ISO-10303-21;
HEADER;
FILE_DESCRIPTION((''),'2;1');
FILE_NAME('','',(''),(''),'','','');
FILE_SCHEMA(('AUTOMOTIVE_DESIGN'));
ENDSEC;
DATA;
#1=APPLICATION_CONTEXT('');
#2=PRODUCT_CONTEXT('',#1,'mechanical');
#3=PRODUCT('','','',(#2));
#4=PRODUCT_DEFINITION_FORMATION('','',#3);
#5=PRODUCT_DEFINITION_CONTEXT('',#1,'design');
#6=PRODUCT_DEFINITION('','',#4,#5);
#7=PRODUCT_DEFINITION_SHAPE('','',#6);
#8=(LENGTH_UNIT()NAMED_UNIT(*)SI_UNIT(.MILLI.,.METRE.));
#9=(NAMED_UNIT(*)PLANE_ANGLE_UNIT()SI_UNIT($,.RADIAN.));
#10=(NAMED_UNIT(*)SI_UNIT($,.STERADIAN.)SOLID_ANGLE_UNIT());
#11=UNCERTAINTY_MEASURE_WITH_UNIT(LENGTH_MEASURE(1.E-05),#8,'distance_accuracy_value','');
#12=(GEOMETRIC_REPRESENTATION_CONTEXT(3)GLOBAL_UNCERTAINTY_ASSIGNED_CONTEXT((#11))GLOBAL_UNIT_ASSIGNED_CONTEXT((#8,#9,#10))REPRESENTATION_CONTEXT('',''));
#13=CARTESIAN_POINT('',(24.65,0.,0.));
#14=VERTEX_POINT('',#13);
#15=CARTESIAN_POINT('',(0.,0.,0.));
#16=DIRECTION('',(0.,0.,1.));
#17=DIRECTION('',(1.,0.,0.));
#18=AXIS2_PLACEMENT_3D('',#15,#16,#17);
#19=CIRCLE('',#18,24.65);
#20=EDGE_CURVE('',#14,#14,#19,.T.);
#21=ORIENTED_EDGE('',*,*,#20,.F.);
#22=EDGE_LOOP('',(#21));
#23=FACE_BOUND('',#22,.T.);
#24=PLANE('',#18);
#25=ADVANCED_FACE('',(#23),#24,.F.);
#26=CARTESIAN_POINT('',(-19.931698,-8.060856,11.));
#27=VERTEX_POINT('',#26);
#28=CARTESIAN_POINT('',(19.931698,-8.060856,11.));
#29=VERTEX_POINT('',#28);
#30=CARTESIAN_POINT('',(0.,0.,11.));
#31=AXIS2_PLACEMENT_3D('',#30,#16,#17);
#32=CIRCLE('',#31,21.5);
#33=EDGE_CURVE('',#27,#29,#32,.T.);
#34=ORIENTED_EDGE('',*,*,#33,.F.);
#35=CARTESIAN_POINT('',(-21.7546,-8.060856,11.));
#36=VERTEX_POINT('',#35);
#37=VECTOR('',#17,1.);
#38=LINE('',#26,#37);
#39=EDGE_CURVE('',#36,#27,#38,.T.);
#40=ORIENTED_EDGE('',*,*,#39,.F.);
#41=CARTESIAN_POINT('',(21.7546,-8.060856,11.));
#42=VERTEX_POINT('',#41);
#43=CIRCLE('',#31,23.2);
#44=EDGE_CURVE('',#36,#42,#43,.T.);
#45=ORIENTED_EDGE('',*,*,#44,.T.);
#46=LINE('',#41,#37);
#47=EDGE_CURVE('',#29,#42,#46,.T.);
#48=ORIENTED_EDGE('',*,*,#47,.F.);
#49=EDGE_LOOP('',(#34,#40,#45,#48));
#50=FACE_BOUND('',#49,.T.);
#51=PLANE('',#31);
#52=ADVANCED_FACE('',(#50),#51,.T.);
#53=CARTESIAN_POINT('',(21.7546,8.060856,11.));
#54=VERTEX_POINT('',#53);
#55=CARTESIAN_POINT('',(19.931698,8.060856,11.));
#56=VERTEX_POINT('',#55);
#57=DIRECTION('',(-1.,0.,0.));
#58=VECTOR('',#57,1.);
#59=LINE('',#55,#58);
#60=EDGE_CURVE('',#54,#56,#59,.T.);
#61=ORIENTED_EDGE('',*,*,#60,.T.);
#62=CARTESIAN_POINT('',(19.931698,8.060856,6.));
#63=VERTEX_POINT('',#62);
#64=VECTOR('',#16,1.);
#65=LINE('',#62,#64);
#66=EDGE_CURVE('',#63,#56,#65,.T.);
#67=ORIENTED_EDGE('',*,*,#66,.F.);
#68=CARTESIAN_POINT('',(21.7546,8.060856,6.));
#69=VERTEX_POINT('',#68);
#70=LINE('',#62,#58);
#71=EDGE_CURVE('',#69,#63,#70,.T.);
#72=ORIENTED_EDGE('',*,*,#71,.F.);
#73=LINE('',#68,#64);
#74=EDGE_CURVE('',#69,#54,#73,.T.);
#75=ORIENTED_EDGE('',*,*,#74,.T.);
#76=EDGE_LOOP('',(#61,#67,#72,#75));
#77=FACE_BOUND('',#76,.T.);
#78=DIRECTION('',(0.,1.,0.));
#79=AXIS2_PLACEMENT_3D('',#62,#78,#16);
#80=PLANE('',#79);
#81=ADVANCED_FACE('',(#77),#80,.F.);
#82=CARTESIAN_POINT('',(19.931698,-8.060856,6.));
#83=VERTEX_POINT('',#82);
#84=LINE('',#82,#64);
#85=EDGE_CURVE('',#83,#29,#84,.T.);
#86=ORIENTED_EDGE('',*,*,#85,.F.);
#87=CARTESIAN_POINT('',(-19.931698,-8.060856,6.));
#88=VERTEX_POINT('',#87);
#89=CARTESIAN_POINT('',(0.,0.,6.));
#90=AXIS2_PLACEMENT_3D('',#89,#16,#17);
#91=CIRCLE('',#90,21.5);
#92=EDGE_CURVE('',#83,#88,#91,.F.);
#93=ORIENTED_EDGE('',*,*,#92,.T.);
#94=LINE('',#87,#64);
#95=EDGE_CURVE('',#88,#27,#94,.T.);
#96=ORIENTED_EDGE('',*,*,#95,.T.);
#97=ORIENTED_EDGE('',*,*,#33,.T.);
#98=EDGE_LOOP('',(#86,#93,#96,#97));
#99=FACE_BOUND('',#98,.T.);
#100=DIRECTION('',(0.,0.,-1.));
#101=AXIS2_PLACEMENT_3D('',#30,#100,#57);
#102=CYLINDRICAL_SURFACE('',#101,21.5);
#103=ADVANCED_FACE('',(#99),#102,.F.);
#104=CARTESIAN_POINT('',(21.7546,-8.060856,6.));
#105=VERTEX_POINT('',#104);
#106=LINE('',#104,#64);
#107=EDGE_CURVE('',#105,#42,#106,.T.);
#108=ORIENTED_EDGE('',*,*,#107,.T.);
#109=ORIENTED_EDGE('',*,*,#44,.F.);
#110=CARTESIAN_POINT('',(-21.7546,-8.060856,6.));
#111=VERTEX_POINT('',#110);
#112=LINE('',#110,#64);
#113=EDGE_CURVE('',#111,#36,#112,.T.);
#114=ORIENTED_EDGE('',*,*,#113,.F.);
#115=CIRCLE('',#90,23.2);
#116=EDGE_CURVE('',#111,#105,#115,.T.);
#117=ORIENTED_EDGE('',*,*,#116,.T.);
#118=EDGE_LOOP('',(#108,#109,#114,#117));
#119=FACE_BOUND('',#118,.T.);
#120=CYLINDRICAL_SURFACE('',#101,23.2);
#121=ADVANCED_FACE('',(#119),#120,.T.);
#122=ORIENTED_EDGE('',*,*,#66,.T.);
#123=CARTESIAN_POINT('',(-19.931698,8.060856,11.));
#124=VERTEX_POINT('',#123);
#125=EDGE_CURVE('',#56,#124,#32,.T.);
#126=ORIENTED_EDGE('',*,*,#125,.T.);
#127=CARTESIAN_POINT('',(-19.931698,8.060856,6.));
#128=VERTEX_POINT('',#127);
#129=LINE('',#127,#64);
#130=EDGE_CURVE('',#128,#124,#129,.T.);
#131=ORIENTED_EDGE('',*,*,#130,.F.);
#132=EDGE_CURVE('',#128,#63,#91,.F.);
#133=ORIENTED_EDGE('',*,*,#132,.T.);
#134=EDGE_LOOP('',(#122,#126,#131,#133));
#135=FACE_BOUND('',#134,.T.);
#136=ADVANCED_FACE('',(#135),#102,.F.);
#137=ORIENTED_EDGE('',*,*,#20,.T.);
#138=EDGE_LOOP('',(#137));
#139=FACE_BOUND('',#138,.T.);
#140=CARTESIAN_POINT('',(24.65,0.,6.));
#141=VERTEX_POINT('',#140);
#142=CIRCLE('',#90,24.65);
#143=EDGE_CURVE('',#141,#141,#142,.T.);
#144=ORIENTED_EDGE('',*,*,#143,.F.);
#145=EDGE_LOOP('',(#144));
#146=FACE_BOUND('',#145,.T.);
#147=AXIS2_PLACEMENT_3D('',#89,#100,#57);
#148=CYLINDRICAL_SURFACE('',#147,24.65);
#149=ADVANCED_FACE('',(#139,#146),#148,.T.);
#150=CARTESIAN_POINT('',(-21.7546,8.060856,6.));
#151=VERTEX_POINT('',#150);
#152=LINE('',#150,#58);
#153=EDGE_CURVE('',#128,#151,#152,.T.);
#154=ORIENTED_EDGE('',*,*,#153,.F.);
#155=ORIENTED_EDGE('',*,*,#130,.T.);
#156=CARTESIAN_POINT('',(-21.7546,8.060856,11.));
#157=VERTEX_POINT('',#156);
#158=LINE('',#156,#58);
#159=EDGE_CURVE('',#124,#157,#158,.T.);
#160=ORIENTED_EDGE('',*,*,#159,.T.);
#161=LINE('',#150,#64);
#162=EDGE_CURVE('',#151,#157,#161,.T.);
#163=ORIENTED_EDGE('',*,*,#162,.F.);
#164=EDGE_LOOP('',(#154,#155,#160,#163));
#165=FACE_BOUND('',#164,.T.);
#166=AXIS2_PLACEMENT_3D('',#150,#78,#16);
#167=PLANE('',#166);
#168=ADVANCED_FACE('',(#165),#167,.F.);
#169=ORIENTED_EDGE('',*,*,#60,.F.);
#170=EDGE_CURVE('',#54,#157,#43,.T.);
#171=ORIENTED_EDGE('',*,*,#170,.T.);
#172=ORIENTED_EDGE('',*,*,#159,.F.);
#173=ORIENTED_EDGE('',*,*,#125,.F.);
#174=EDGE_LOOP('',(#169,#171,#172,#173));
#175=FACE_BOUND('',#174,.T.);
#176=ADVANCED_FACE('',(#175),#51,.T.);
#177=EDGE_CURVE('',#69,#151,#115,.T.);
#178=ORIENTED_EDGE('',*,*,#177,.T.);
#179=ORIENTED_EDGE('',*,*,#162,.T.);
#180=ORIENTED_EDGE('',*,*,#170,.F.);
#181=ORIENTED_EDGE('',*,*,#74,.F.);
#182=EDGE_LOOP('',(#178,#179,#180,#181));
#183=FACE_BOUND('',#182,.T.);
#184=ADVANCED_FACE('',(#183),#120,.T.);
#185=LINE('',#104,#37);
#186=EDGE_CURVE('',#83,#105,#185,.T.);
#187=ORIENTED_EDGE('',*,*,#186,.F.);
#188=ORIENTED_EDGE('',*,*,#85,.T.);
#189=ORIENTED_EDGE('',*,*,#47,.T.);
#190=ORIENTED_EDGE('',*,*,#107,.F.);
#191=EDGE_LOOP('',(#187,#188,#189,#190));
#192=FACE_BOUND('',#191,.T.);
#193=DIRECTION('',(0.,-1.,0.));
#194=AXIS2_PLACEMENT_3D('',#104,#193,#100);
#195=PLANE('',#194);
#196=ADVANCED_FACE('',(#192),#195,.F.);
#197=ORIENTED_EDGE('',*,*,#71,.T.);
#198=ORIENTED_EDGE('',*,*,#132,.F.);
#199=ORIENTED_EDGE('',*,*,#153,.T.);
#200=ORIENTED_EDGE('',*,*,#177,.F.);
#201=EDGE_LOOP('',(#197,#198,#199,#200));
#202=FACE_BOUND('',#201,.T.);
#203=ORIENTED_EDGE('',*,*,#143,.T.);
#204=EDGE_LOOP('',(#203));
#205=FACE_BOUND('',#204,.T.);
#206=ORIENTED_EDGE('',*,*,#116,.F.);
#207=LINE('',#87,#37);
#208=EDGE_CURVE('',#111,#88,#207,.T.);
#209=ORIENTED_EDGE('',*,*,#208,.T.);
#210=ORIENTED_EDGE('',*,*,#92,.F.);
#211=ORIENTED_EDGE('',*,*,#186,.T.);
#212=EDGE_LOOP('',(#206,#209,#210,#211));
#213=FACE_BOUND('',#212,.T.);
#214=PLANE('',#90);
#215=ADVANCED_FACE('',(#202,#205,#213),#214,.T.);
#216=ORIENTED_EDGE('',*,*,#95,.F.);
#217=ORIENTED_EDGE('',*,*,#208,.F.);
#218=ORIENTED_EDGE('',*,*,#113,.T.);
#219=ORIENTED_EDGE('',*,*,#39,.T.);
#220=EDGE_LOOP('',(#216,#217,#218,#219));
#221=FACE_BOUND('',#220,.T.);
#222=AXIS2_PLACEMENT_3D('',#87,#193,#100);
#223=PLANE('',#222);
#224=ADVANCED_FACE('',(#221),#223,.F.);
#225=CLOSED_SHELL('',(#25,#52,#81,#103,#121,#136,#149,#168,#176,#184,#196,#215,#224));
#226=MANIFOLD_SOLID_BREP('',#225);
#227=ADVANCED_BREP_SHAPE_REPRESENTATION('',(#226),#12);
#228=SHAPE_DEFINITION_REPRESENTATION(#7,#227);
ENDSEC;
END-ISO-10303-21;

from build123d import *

# Parameters (mm, degrees)
SKETCH1_R           = 24.65
BOSS_EXTRUDE1_DEPTH = 6
SKETCH2_R           = 23.2
SKETCH2_R_2         = 21.5
BOSS_EXTRUDE2_DEPTH = 5
CUT_EXTRUDE1_START  = -5
CUT_EXTRUDE1_DEPTH  = 5


with BuildPart() as part:
    # Sketch1 → Boss-Extrude1 (new body)
    with BuildSketch(Plane.XY):
        Circle(SKETCH1_R)
    extrude(amount=BOSS_EXTRUDE1_DEPTH)

    # Sketch2 → Boss-Extrude2 (add)
    with BuildSketch(Plane.XY.offset(6)):
        Circle(SKETCH2_R)
        Circle(SKETCH2_R_2, mode=Mode.SUBTRACT)
    extrude(amount=BOSS_EXTRUDE2_DEPTH)

    # Sketch3 → Cut-Extrude1 (cut)
    with BuildSketch(Plane.XY.offset(11).offset(CUT_EXTRUDE1_START)):
        with BuildLine():
            Line((-21.754599502, 8.060856065), (-19.931698359, 8.060856065))
            ThreePointArc((-19.931698359, 8.060856065), (-21.5, 0), (-19.931698359, -8.060856065))
            Line((-19.931698359, -8.060856065), (-21.754599502, -8.060856065))
            ThreePointArc((-21.754599502, -8.060856065), (-23.2, 0), (-21.754599502, 8.060856065))
        make_face()
        with BuildLine():
            Line((21.754599502, -8.060856065), (19.931698359, -8.060856065))
            ThreePointArc((19.931698359, -8.060856065), (21.5, 0), (19.931698359, 8.060856065))
            Line((19.931698359, 8.060856065), (21.754599502, 8.060856065))
            ThreePointArc((21.754599502, 8.060856065), (23.2, 0), (21.754599502, -8.060856065))
        make_face()
    extrude(amount=CUT_EXTRUDE1_DEPTH, mode=Mode.SUBTRACT)


solid = part.part
